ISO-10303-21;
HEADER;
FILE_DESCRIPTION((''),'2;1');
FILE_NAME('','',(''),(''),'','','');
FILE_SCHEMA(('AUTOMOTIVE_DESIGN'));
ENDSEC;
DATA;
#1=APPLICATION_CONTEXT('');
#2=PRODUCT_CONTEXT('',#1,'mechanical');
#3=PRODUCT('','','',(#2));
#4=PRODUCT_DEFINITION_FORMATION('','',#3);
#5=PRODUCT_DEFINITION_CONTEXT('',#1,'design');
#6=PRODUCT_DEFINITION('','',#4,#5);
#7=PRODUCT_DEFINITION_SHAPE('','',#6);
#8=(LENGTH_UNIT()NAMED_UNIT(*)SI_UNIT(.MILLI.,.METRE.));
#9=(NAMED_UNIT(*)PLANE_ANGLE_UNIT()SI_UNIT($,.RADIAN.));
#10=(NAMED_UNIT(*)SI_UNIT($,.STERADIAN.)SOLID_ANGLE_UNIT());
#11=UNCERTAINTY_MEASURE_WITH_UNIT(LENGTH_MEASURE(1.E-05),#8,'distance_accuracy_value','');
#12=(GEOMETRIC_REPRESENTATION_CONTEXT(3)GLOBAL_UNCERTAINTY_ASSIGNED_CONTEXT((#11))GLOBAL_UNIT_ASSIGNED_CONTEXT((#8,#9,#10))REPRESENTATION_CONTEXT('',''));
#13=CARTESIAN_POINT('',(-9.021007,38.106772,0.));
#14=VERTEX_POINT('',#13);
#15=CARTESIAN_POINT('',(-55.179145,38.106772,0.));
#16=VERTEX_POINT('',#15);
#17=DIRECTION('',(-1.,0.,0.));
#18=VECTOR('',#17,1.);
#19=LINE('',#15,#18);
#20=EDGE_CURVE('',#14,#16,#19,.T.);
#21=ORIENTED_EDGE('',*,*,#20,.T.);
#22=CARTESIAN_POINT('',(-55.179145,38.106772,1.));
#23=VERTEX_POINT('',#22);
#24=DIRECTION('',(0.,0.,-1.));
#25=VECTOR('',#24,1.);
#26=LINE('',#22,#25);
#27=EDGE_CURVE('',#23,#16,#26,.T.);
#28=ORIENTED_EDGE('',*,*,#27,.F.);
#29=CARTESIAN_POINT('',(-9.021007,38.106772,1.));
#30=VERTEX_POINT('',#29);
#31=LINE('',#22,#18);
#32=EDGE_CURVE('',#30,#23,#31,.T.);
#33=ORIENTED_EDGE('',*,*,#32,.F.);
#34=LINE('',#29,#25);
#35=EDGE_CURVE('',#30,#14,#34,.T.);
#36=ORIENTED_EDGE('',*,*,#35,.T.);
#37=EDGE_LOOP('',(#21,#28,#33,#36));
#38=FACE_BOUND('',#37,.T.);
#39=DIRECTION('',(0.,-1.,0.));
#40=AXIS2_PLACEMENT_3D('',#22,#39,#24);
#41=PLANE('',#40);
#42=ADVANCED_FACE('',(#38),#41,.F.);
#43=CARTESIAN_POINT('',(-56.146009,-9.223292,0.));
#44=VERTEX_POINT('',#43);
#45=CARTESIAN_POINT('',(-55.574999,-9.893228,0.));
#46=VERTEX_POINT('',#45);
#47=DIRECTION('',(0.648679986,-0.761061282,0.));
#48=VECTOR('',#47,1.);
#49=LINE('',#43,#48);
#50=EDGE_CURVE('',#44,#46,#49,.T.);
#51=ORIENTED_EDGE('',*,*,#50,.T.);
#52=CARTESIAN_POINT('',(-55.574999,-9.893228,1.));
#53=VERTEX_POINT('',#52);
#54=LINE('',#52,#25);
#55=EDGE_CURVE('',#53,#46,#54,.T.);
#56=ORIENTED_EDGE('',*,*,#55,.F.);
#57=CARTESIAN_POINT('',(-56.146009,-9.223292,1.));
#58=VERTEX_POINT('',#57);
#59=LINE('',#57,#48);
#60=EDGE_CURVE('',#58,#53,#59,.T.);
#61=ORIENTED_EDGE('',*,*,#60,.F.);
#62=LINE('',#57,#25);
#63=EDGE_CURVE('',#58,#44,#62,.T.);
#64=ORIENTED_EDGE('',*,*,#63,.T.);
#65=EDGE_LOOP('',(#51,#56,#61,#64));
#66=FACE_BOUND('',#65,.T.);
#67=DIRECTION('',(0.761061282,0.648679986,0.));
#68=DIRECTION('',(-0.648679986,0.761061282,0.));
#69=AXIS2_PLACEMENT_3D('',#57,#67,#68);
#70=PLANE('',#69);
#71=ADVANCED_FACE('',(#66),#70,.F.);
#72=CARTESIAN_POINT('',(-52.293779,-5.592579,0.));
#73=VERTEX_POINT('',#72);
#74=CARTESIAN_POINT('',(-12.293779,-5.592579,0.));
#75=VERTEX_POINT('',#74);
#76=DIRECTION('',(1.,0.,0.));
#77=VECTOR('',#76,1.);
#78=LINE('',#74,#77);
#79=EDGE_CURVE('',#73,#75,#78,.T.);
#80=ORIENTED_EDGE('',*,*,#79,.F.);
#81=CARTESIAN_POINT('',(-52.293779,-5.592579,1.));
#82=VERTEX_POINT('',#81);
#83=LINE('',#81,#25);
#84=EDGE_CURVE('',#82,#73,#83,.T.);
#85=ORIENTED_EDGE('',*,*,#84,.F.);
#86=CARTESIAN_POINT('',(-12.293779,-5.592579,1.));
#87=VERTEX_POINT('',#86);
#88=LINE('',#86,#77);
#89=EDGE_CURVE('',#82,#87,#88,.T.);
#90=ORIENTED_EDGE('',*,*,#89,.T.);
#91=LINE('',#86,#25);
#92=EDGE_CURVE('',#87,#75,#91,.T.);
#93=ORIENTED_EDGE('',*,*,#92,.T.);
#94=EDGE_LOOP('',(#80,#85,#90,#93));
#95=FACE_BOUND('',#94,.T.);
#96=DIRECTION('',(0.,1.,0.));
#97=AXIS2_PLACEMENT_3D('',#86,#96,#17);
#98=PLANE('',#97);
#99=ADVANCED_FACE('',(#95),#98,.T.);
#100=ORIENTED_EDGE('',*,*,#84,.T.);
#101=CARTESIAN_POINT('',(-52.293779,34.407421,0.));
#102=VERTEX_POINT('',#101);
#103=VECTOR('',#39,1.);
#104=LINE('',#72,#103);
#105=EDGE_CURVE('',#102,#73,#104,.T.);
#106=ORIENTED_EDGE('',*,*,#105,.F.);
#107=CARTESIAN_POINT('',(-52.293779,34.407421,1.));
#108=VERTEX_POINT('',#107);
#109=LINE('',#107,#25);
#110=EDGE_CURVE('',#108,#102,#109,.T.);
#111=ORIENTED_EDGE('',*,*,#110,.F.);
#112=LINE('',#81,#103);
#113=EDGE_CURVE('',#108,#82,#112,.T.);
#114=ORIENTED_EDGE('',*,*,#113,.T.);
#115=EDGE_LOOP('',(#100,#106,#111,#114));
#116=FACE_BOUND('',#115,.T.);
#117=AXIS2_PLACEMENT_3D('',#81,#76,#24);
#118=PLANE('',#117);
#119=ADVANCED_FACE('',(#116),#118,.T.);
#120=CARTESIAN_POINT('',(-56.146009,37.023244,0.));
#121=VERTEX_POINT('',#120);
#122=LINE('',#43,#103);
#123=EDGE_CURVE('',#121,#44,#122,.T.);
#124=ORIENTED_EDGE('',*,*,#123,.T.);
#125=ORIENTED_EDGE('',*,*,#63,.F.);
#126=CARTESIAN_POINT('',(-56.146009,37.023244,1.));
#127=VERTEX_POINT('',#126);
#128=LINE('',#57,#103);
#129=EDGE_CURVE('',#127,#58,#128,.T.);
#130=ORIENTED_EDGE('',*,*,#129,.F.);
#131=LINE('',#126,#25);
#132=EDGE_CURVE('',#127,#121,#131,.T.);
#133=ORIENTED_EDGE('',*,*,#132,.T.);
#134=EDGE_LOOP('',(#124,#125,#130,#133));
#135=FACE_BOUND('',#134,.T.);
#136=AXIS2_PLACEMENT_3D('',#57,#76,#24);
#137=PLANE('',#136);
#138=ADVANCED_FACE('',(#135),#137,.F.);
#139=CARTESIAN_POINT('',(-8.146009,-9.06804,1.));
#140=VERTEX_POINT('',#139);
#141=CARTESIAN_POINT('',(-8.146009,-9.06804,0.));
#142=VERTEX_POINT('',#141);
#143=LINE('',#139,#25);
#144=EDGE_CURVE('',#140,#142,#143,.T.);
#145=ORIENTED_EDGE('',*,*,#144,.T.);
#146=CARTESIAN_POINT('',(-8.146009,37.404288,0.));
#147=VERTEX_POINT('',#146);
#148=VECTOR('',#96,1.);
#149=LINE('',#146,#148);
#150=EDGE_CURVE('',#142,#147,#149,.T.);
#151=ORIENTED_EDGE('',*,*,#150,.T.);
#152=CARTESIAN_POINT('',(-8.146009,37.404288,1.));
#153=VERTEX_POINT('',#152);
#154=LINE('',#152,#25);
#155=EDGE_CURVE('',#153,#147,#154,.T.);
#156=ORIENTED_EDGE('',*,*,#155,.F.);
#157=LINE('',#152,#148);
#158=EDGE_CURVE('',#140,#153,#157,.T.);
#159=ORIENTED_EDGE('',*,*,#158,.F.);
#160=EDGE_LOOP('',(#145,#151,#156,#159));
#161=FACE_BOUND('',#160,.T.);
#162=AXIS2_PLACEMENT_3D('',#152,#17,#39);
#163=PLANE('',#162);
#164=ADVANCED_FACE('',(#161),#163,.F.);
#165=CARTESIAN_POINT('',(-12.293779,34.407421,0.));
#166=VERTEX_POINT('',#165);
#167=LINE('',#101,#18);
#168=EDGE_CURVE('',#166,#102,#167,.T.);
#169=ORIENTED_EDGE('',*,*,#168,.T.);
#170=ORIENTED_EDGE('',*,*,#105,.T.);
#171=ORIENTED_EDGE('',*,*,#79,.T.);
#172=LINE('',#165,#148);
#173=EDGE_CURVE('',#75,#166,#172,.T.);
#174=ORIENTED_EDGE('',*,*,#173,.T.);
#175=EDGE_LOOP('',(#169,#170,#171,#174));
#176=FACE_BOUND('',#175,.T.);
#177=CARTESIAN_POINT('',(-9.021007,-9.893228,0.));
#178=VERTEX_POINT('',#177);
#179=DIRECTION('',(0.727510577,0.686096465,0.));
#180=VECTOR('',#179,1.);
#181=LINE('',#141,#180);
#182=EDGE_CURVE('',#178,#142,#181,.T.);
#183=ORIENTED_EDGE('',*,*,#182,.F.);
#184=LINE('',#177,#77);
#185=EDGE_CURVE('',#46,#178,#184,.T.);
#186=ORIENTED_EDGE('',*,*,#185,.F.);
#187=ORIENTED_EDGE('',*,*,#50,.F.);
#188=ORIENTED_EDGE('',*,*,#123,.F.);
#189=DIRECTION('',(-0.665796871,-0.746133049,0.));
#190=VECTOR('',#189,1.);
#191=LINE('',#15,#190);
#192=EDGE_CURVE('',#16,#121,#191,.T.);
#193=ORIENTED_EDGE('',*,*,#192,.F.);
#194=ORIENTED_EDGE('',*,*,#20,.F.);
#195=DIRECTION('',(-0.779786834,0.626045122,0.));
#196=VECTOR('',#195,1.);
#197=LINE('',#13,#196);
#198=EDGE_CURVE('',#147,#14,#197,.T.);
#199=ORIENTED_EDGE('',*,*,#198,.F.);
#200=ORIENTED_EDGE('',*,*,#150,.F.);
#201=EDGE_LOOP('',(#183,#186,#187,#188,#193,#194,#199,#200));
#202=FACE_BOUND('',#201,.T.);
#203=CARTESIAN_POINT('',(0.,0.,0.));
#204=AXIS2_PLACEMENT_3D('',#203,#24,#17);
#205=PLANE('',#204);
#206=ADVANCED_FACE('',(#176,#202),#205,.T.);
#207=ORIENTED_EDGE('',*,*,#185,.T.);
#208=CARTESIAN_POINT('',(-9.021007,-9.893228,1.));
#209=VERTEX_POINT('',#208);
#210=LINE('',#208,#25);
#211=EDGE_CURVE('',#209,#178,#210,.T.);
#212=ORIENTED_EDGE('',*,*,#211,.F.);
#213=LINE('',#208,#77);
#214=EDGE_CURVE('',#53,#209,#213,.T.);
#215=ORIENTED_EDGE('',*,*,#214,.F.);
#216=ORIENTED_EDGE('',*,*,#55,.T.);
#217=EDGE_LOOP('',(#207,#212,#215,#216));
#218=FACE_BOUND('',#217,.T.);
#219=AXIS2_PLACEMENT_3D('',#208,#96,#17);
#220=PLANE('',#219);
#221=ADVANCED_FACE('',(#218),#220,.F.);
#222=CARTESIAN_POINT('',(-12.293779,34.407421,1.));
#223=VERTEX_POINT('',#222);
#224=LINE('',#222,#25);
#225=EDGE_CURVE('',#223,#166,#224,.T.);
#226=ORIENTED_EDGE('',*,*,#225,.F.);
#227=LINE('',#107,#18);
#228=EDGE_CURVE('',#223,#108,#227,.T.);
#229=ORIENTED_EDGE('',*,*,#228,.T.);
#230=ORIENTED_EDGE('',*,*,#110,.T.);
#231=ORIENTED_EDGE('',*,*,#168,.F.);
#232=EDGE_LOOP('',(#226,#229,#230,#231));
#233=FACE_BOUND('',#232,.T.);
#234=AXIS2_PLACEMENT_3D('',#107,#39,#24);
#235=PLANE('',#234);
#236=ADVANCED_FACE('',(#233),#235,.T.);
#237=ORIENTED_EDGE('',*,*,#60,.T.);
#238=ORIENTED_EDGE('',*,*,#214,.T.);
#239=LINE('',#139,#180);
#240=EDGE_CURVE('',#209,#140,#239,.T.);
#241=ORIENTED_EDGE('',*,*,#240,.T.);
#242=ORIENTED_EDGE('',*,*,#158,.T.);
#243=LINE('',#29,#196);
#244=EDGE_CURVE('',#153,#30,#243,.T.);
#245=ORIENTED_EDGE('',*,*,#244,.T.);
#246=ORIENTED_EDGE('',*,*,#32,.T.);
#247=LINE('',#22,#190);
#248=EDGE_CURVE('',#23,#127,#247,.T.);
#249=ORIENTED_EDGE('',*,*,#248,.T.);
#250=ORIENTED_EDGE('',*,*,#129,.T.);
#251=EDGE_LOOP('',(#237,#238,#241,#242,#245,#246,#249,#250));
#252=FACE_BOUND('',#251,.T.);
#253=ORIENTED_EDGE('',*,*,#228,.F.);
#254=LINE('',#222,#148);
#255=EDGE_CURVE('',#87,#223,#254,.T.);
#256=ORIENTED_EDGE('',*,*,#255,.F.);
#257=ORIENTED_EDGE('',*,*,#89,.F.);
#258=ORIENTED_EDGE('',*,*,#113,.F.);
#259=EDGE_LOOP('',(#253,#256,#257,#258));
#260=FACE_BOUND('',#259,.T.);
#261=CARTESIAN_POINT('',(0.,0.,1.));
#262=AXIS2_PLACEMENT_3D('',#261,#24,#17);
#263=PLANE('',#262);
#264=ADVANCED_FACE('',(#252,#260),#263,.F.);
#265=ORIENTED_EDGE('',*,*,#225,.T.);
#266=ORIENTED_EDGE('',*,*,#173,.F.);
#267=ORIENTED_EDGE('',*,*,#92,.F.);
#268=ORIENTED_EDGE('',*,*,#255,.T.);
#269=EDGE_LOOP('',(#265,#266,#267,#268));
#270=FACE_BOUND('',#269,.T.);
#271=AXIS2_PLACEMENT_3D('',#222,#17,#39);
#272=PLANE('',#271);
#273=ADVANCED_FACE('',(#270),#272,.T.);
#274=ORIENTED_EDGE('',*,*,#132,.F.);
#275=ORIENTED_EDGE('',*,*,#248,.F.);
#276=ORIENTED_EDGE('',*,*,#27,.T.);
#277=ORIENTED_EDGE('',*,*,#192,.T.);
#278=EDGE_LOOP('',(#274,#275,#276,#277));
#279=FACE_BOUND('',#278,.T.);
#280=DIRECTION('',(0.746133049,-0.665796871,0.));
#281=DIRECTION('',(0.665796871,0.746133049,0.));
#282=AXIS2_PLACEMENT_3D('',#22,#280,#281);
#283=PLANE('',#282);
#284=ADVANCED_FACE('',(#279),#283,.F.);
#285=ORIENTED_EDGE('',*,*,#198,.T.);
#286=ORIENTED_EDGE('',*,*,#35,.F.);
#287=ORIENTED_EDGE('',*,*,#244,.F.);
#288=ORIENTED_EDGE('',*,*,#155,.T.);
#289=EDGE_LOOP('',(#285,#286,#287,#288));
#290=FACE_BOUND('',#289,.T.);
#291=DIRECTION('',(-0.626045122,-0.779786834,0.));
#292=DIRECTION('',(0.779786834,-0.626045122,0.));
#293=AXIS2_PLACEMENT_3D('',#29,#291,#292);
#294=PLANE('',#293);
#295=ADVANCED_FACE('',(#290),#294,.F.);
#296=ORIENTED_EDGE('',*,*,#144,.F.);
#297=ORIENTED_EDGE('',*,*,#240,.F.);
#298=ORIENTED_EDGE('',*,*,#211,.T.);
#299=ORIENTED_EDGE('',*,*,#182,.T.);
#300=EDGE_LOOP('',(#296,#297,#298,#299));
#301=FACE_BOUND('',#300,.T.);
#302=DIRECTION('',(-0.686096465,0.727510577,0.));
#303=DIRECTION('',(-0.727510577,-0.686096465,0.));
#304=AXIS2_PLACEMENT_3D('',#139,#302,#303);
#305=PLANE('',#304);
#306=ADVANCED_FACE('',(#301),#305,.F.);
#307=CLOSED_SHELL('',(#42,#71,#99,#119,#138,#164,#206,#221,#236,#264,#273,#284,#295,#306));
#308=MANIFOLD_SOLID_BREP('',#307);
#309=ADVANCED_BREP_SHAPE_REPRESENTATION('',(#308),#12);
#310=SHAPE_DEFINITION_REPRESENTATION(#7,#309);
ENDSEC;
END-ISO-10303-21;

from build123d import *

# Parameters (mm, degrees)
CROQUIS1_W              = 40
CROQUIS1_H              = 40
SALIENTE_EXTRUIR1_DEPTH = 1


with BuildPart() as part:
    # Croquis1 → Saliente-Extruir1 (new body)
    with BuildSketch(Plane.XY):
        Polygon((-55.179144712, 38.106772101), (-9.021007114, 38.106772101), (-8.146009312, 37.404287676), (-8.146009312, -9.068040036), (-9.021007114, -9.893227899), (-55.574998645, -9.893227899), (-56.146009312, -9.223291846), (-56.146009312, 37.023243982), align=None)
        with Locations((-32.293778979, 14.407420925)):
            Rectangle(CROQUIS1_W, CROQUIS1_H, mode=Mode.SUBTRACT)
    extrude(amount=SALIENTE_EXTRUIR1_DEPTH)


solid = part.part
